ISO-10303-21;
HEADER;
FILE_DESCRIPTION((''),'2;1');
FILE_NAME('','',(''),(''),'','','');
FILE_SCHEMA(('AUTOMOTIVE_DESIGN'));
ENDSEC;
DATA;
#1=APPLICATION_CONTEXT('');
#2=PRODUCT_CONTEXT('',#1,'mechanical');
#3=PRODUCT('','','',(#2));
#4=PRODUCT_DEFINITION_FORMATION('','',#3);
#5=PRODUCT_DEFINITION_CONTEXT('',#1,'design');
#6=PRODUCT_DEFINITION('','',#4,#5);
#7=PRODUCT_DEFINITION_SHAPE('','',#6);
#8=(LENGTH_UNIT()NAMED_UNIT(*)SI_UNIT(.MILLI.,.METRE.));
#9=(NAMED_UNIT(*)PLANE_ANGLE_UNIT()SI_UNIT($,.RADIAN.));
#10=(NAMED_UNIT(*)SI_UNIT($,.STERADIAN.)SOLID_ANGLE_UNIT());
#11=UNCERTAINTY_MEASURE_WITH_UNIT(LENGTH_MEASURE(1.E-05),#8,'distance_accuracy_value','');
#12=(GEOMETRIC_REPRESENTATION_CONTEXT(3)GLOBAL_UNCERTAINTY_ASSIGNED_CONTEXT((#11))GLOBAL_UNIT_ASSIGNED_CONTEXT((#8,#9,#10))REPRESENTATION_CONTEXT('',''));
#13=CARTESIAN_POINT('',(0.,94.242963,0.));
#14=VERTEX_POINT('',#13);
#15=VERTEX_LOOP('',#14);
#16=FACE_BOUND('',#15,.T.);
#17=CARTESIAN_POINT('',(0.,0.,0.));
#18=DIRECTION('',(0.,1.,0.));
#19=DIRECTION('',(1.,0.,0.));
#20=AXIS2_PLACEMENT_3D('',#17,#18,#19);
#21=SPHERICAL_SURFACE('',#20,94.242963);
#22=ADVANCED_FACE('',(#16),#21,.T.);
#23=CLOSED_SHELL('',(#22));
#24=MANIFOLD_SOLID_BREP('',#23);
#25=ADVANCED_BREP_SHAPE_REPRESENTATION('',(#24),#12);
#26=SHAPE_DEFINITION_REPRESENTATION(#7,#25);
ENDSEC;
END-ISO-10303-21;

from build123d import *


with BuildPart() as part:
    # Эскиз1 → Повернуть1 (revolve)
    with BuildSketch(Plane.XY):
        with BuildLine():
            Line((0, 94.242962652), (0, -94.242962652))
            ThreePointArc((0, -94.242962652), (94.242962652, 0), (0, 94.242962652))
        make_face()
    revolve(axis=Axis((0, 103.435400236, 0), (0, -1, 0)))


solid = part.part
